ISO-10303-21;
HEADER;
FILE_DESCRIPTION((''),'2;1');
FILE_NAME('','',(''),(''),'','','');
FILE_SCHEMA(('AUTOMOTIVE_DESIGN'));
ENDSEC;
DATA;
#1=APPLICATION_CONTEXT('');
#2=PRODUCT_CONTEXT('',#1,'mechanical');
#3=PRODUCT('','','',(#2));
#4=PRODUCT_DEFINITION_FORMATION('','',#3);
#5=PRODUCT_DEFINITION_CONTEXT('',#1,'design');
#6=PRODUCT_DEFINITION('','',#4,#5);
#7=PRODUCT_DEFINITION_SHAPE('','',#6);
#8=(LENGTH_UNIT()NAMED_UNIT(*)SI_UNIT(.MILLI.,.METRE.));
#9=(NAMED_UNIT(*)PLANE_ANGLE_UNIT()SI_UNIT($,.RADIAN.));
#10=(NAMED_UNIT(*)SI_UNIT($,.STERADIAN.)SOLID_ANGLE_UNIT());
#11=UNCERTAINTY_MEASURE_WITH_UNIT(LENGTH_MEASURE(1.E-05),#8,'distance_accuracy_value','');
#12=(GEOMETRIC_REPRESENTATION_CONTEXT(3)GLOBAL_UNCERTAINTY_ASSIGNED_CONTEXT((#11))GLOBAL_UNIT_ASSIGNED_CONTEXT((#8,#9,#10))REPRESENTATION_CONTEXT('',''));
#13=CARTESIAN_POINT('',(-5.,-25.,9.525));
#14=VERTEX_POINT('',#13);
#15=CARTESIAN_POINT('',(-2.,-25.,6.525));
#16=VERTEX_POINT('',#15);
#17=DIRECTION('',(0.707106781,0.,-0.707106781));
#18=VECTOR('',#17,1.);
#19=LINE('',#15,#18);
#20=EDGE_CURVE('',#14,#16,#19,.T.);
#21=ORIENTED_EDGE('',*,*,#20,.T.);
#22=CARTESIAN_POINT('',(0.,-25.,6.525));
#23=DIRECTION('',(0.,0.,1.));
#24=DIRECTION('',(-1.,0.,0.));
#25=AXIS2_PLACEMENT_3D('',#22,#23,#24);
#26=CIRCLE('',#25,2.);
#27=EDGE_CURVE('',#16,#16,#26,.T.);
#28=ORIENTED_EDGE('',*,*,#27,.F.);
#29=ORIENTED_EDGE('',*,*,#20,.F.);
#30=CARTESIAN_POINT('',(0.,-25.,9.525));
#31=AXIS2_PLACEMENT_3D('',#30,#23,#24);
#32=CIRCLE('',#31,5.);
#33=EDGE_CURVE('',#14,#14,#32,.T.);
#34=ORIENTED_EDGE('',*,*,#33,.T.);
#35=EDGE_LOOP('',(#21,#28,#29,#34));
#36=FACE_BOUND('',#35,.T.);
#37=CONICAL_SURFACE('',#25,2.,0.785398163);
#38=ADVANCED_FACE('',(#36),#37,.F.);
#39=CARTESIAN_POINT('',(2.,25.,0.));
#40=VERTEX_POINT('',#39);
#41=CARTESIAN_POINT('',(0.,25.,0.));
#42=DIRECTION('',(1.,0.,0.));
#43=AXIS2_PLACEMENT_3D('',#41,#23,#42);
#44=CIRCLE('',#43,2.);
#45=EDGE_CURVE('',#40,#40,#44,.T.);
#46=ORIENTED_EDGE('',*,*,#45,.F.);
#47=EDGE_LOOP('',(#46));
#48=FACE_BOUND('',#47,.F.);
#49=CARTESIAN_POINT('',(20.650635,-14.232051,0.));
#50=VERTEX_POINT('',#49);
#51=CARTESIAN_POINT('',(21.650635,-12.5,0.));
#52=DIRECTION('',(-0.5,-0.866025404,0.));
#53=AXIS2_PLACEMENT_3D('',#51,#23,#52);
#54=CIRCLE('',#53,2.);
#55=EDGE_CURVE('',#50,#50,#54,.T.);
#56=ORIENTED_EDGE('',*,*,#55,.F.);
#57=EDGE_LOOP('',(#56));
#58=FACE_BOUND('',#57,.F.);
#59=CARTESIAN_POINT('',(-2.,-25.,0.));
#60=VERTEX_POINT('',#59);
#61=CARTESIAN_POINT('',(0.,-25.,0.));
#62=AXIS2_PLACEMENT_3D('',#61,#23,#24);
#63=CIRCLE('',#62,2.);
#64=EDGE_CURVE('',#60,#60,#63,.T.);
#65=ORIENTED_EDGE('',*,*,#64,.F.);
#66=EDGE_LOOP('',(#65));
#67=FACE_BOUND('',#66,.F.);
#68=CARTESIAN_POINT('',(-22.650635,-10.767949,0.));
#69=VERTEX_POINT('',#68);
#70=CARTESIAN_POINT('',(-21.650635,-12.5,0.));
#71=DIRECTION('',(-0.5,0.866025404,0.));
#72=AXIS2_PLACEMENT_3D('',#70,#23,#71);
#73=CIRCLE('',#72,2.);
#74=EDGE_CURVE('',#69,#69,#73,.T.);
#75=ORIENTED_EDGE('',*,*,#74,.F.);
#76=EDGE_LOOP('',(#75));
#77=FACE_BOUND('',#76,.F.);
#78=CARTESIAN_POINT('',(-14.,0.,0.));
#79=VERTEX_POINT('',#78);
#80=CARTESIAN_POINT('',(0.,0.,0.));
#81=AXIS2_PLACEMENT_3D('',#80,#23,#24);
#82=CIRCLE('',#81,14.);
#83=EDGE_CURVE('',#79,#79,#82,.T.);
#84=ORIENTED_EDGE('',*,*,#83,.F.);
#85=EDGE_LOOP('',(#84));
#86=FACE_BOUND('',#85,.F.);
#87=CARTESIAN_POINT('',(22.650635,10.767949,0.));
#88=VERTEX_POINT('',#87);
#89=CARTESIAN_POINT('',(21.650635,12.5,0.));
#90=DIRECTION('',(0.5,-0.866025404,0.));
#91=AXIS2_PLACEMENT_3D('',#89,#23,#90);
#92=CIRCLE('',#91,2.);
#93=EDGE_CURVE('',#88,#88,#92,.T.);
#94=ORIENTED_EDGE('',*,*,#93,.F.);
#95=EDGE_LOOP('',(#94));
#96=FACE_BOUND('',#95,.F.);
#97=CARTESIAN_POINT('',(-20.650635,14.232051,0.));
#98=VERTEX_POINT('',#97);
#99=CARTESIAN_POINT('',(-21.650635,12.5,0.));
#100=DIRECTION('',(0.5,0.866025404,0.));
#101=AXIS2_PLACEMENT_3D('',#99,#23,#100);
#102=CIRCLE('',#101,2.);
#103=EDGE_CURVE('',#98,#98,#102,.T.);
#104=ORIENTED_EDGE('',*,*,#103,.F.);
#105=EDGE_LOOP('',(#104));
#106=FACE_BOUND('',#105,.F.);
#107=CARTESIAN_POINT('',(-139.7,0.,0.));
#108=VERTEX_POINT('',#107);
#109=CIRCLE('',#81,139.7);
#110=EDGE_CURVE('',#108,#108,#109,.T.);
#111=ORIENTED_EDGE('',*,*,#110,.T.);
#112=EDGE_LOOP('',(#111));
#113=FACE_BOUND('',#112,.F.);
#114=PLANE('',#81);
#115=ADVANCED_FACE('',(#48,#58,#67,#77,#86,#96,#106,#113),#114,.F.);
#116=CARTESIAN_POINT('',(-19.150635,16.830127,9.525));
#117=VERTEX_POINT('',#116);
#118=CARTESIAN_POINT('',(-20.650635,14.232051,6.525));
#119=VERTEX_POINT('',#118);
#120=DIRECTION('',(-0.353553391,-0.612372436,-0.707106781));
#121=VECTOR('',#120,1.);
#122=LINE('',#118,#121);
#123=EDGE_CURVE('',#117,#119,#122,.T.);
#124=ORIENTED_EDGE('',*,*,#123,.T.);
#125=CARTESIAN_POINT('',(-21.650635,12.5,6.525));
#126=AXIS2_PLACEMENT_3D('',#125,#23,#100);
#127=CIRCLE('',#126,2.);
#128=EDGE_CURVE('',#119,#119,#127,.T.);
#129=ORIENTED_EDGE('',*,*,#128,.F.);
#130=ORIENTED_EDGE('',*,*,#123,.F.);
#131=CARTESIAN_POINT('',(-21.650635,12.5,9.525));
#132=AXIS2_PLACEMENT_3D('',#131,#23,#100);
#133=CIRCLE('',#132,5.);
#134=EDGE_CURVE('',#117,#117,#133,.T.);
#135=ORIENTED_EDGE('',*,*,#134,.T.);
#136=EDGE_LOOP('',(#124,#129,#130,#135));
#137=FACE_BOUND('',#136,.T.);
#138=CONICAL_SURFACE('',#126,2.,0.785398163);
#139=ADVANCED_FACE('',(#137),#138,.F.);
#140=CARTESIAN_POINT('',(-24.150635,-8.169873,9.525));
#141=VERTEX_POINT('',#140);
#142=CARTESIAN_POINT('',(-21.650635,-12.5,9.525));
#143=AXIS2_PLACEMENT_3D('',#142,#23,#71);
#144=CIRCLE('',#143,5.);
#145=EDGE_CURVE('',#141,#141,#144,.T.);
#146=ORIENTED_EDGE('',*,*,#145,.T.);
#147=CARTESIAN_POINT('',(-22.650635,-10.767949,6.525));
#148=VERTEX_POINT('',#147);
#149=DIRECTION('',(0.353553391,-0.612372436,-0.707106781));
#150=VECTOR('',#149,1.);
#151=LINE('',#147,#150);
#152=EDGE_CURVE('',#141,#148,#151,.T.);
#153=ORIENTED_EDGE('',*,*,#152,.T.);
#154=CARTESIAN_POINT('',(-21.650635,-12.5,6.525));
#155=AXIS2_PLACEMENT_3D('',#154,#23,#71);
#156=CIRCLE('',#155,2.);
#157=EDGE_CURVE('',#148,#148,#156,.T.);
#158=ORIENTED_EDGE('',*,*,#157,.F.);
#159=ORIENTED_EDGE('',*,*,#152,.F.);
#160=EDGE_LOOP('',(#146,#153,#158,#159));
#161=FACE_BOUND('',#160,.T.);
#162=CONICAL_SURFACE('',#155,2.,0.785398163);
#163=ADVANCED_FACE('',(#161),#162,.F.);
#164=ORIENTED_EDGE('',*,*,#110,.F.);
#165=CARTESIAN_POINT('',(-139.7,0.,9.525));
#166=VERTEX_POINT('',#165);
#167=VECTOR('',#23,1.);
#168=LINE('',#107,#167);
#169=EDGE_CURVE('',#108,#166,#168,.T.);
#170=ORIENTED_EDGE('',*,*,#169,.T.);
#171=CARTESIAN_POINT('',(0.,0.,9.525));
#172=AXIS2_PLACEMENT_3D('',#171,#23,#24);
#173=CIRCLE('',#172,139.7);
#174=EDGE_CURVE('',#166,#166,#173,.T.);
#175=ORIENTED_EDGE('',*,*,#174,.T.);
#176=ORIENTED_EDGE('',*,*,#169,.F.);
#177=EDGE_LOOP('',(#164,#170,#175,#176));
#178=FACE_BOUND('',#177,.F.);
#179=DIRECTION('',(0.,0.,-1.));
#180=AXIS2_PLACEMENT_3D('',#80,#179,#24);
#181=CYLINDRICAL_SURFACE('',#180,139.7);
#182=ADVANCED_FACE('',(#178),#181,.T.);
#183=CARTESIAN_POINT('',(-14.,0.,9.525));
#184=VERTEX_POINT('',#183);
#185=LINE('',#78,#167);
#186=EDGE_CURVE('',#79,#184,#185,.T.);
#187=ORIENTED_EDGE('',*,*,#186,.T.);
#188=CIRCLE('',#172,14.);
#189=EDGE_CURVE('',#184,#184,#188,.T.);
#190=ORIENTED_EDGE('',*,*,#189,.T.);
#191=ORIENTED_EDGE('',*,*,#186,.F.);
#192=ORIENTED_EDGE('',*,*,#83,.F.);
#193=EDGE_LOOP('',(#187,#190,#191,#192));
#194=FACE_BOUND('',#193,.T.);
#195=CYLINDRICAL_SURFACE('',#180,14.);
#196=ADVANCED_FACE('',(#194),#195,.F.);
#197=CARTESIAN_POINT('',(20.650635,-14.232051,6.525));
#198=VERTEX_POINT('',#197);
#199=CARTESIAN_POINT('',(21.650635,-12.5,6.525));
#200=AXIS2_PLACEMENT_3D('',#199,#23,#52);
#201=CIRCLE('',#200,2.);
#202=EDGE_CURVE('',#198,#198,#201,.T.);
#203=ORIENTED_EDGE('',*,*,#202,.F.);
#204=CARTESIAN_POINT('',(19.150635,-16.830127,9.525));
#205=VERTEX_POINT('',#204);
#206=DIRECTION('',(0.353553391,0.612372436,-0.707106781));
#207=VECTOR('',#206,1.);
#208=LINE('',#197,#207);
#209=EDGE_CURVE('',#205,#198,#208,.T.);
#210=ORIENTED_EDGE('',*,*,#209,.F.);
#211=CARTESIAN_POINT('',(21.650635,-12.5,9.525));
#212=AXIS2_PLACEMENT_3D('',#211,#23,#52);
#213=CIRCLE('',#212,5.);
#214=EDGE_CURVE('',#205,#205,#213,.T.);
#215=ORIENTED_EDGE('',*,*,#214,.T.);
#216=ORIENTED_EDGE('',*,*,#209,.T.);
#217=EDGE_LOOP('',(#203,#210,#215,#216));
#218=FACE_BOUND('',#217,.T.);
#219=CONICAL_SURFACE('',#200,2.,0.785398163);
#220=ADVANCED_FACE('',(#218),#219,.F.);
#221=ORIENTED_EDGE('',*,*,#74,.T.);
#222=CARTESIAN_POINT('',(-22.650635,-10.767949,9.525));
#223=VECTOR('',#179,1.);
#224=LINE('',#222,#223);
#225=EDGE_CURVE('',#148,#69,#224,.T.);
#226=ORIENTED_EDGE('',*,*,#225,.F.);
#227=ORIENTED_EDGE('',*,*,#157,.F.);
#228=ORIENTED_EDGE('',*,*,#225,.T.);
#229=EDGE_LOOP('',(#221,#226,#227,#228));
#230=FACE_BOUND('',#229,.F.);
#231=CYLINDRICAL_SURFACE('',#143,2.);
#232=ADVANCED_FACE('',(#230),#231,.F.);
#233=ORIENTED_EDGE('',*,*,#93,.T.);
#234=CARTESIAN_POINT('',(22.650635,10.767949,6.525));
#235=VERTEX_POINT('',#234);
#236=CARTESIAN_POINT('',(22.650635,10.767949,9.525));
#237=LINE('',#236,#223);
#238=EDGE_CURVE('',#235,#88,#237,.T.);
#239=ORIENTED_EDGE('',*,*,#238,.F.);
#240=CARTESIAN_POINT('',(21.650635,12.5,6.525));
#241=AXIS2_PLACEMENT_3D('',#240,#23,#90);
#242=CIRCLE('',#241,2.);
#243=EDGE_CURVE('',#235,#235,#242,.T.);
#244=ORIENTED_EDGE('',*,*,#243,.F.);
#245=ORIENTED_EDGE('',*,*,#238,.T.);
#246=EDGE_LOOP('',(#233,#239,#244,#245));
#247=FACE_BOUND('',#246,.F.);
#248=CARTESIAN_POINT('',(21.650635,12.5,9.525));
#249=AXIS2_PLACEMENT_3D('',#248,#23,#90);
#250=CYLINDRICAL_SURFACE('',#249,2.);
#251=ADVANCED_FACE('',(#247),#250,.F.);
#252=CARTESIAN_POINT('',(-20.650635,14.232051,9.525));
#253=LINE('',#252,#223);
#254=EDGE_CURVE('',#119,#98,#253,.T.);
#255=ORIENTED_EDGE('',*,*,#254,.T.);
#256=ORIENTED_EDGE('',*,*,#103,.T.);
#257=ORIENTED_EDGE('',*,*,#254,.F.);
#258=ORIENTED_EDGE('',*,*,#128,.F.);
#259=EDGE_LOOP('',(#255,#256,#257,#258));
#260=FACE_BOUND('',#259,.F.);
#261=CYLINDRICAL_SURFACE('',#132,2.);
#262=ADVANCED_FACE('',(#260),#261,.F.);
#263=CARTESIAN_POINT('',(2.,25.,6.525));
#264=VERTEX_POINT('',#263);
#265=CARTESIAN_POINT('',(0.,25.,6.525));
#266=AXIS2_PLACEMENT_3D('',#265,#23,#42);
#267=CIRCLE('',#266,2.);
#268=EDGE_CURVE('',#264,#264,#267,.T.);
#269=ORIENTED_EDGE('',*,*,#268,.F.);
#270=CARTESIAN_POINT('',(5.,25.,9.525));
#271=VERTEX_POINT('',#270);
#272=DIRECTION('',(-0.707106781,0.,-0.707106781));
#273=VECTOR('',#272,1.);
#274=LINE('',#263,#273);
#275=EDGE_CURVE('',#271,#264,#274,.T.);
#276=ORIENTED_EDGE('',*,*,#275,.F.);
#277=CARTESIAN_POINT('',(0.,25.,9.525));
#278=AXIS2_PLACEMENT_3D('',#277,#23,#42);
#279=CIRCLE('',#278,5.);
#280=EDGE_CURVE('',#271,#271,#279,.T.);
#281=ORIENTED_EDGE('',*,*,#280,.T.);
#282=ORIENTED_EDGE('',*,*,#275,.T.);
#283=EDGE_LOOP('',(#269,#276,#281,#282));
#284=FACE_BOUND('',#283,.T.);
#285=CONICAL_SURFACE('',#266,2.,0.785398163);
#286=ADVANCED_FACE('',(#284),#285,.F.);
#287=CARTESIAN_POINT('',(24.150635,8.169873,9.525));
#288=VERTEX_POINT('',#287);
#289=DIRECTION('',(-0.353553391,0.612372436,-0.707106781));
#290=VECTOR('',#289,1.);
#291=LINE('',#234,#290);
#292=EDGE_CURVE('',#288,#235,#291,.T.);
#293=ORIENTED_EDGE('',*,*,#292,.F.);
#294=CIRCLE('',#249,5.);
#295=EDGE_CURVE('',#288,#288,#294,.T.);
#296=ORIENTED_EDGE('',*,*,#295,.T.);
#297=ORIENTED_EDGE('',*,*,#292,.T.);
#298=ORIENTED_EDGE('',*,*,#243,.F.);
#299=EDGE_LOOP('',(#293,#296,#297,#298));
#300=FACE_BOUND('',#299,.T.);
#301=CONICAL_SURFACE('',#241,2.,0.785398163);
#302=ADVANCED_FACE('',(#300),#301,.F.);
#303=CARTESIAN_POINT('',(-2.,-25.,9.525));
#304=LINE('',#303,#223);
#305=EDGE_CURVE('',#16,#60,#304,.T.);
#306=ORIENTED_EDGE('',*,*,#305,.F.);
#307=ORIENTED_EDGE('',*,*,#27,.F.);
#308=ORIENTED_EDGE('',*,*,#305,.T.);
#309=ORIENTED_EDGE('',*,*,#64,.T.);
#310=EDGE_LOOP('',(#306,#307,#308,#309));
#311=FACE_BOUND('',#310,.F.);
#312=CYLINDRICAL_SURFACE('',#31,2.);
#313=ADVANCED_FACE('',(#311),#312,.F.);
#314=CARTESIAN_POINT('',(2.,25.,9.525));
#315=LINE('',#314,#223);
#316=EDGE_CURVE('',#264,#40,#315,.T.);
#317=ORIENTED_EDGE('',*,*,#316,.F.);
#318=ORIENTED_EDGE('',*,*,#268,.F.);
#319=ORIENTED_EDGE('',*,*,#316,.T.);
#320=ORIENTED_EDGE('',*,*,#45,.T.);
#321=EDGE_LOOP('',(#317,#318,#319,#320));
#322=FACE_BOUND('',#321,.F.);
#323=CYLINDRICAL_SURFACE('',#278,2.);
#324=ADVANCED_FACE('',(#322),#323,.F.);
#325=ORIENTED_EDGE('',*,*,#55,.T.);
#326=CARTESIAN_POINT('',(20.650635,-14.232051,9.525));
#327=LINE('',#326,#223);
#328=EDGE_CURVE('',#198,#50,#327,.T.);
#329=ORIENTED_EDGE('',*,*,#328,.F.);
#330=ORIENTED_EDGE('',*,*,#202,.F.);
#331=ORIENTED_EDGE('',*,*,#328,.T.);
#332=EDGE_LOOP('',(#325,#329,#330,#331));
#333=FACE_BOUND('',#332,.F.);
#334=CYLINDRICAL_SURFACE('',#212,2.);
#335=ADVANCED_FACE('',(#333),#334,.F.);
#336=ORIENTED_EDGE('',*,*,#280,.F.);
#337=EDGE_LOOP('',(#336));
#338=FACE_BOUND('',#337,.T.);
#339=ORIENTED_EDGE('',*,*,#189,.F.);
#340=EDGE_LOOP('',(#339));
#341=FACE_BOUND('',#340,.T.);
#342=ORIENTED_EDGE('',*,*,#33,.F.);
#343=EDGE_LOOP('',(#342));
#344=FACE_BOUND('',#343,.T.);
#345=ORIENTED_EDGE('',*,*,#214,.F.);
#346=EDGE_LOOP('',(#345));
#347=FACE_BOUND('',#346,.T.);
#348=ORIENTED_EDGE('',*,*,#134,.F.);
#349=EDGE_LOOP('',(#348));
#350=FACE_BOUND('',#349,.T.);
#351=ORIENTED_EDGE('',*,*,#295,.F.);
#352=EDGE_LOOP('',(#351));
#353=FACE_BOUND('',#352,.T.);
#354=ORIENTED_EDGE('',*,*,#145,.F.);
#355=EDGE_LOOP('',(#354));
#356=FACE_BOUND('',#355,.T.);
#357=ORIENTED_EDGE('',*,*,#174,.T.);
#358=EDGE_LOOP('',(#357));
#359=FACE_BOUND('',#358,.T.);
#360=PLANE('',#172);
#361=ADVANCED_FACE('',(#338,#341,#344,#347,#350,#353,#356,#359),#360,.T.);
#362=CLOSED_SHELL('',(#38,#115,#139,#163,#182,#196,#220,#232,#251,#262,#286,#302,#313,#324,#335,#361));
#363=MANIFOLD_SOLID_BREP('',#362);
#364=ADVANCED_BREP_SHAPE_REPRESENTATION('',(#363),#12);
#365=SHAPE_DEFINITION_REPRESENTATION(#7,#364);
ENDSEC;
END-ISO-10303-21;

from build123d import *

# Parameters (mm, degrees)
SKETCH1_R           = 139.7
SKETCH1_R_2         = 14
BOSS_EXTRUDE1_DEPTH = 9.525
SKETCH2_R           = 2
CUT_EXTRUDE1_DEPTH  = 198.795110215
CIRPATTERN1_COUNT   = 6
CHAMFER1_SIZE       = 3


with BuildPart() as part:
    # Sketch1 → Boss-Extrude1 (new body)
    with BuildSketch(Plane.XY):
        with Locations(Location((0, 0, 0), (0, 0, 180))):
            Circle(SKETCH1_R)
        with Locations(Location((0, 0, 0), (0, 0, 180))):
            Circle(SKETCH1_R_2, mode=Mode.SUBTRACT)
    extrude(amount=BOSS_EXTRUDE1_DEPTH)

    # Sketch2 → Cut-Extrude1 (cut, through all)
    with BuildSketch(Plane.XY.offset(9.525)):
        with Locations((0, 25)):
            Circle(SKETCH2_R)
    cut_extrude1 = extrude(amount=-CUT_EXTRUDE1_DEPTH, mode=Mode.SUBTRACT)

    # CirPattern1: Cut-Extrude1 ×6 about axis
    cirpattern1_axis = Axis((0, 0, 0), (0, 0, 1))
    for i in range(1, CIRPATTERN1_COUNT):
        add(cut_extrude1.rotate(cirpattern1_axis, i * 360 / CIRPATTERN1_COUNT), mode=Mode.SUBTRACT)

    # Chamfer1
    chamfer1_edges = [part.edges().sort_by_distance(p)[0] for p in [
        (-2, 25, 9.525),
        (-22.650635095, 10.767949192, 9.525),
        (-20.650635095, -14.232050808, 9.525),
        (2, -25, 9.525),
        (22.650635095, -10.767949192, 9.525),
        (20.650635095, 14.232050808, 9.525),
    ]]
    chamfer(chamfer1_edges, length=CHAMFER1_SIZE)


solid = part.part
